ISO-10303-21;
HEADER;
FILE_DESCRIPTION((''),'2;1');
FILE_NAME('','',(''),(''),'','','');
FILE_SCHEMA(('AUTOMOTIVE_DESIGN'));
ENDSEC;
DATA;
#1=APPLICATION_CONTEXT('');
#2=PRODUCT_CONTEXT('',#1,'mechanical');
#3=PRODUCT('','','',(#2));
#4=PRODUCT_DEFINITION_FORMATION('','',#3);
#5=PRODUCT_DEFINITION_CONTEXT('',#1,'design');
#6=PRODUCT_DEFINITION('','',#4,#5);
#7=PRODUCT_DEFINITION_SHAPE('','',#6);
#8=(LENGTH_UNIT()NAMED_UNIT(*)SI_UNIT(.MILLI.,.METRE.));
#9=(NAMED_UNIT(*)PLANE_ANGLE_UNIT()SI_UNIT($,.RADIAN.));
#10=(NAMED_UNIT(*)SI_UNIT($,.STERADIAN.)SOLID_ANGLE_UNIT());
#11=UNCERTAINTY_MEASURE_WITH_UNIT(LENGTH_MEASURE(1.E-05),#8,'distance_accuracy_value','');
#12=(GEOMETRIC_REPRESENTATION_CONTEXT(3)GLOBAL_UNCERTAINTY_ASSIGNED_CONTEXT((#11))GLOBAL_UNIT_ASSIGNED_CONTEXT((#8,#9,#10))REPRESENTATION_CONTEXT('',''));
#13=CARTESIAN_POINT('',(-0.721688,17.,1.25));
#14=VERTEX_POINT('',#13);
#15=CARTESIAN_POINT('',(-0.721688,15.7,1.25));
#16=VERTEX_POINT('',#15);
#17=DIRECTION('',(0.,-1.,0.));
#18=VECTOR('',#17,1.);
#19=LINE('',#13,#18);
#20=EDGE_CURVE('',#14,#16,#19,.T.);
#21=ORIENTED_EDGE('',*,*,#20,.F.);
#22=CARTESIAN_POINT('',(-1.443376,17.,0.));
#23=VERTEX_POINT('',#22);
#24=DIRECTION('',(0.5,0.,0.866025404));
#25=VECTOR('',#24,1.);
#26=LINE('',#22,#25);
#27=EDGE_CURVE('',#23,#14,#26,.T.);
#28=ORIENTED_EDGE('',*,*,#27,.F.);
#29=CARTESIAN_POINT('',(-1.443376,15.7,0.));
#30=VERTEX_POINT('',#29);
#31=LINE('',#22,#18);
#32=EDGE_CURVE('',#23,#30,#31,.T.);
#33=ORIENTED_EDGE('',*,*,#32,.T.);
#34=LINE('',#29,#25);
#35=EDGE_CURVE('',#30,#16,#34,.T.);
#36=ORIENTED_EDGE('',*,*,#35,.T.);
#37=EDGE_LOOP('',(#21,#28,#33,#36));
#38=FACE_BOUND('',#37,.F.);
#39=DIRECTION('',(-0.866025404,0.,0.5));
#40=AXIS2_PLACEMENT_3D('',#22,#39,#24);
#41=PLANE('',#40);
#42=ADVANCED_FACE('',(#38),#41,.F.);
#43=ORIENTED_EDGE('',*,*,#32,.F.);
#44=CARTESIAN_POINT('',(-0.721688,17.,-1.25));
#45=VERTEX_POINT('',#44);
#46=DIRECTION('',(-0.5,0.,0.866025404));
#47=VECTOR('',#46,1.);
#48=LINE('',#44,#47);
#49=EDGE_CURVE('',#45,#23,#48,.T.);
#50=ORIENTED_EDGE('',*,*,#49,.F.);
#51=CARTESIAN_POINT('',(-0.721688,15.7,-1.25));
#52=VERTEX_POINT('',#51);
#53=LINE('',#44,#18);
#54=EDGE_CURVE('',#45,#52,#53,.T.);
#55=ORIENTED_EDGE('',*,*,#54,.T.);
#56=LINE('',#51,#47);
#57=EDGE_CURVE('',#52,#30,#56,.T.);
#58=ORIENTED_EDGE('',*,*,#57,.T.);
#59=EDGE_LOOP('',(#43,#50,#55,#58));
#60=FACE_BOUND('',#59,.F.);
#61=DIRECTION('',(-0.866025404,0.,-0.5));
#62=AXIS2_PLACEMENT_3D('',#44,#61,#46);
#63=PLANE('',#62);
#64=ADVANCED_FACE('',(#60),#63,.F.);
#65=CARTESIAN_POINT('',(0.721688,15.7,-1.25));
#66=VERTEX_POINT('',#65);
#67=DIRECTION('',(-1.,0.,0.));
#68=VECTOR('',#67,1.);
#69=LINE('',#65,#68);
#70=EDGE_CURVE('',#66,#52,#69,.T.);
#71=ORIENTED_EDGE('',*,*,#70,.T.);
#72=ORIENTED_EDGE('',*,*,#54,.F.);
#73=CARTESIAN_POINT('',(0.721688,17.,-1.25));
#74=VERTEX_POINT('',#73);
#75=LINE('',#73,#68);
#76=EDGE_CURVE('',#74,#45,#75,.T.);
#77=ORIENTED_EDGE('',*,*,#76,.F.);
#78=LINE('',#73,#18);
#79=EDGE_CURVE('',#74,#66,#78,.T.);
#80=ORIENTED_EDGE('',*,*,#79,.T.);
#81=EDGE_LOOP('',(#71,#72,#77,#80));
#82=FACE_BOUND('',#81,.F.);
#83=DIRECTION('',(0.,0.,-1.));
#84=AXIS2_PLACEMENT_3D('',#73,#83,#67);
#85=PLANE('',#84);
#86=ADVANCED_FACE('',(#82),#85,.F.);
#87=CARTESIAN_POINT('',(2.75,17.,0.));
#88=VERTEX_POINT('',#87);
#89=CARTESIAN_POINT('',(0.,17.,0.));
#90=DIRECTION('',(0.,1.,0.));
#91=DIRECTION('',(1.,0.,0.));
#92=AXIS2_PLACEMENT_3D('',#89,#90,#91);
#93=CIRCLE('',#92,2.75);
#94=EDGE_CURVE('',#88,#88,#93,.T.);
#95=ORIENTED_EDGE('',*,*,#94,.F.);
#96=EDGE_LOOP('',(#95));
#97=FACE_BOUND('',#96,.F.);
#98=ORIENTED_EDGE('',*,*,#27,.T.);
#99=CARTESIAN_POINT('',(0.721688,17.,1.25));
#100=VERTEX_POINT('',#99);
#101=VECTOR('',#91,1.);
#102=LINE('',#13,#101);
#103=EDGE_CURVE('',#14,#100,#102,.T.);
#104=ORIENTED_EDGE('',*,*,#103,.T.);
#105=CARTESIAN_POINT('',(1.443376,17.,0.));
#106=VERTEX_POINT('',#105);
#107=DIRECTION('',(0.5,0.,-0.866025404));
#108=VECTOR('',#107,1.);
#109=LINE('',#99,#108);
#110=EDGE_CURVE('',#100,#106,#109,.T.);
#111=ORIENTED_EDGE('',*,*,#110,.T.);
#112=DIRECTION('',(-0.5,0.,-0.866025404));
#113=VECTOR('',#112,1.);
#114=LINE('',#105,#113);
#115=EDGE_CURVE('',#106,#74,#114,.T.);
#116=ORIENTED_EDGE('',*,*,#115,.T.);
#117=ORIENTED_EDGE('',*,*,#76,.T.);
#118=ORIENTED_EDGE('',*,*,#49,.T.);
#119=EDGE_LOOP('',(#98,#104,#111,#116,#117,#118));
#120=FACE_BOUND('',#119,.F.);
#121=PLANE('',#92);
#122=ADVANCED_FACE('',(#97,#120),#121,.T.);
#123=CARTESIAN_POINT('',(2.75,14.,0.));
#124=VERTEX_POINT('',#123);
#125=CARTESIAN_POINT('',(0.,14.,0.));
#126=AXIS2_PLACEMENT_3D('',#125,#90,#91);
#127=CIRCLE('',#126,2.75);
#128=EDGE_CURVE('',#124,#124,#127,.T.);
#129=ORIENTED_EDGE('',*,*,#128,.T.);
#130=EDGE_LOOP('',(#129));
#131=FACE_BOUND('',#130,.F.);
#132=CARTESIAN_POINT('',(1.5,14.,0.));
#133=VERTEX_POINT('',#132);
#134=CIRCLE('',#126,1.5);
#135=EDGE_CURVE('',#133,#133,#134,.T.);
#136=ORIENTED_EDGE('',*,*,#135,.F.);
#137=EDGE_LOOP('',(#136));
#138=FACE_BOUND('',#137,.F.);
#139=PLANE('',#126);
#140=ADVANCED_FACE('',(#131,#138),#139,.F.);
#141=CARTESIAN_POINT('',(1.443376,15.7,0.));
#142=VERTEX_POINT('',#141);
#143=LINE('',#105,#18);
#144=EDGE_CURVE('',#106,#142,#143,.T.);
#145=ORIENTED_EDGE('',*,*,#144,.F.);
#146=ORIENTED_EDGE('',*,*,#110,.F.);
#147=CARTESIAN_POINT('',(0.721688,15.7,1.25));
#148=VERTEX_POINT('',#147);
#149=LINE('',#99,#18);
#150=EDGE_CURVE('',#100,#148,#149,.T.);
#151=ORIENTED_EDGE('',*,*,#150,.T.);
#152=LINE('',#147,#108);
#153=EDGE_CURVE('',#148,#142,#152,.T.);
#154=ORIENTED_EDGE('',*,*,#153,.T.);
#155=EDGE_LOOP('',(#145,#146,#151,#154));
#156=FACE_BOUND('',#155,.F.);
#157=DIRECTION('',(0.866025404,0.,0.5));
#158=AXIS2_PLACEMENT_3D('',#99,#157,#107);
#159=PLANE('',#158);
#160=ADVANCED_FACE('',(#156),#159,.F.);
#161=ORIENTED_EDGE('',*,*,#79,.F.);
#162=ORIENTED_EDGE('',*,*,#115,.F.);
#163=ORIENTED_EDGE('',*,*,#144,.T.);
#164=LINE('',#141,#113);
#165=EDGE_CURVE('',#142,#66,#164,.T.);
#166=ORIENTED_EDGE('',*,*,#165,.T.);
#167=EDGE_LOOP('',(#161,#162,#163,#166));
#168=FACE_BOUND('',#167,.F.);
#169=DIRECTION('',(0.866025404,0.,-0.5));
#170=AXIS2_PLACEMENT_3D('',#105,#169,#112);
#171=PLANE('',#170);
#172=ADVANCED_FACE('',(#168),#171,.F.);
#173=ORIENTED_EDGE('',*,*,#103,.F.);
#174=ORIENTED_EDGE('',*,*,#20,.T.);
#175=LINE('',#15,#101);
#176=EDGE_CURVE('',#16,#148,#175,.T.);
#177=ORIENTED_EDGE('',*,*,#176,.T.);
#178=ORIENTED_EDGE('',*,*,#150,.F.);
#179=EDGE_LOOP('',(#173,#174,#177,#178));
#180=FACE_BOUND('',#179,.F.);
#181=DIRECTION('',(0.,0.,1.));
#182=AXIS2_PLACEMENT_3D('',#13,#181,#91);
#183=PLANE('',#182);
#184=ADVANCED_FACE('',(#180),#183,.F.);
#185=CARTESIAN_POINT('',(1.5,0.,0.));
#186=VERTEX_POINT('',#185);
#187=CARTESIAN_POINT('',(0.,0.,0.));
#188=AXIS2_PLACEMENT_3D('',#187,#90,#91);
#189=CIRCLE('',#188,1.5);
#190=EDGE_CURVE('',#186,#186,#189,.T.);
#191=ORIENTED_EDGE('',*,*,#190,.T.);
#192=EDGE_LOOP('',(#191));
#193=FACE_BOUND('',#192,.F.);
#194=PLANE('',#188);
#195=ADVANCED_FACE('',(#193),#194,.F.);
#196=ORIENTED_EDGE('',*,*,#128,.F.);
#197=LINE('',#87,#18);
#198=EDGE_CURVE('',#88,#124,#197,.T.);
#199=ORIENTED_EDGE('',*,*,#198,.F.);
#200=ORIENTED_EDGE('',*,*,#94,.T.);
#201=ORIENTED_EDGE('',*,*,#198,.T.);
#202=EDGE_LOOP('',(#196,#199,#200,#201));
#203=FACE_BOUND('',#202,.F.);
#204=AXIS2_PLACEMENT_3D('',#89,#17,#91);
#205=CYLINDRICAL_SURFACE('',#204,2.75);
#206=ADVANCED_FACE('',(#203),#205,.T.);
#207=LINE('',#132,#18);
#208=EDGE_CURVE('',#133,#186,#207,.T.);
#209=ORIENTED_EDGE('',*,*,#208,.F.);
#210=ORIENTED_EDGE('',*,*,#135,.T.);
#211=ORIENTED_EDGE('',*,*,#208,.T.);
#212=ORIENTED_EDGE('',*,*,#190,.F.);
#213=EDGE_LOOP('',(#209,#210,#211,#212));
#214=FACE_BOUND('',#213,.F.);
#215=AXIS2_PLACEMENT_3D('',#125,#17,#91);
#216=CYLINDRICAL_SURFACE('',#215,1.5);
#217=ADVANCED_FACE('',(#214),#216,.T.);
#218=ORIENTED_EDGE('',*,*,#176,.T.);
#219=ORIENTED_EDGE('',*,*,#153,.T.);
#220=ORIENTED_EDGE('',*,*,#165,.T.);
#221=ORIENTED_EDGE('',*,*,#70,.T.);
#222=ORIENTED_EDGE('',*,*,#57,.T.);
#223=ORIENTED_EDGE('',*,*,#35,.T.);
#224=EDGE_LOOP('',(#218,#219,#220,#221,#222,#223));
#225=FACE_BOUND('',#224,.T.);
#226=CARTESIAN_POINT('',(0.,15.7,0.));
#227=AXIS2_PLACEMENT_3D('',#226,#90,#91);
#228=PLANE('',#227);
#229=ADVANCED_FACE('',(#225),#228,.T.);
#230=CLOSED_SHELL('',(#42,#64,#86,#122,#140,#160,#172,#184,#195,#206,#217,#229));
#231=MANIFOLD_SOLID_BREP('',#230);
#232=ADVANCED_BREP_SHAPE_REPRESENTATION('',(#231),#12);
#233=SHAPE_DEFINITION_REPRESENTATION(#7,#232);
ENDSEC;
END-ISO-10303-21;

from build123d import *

# Parameters (mm, degrees)
CUT_EXTRUDE1_DEPTH = 1.3


with BuildPart() as part:
    # Sketch1 → Revolve1 (revolve)
    with BuildSketch(Plane.XY):
        Polygon((0, 17), (2.75, 17), (2.75, 14), (1.5, 14), (1.5, 0), (0, 0), align=None)
    revolve(axis=Axis((0, 0, 0), (0, 1, 0)))

    # Sketch2 → Cut-Extrude1 (cut)
    with BuildSketch(Plane(origin=(0, 17, 0), x_dir=(1, 0, 0), z_dir=(0, 1, 0))):
        Polygon((-0.721687836, 1.25), (-1.443375673, 0), (-0.721687836, -1.25), (0.721687836, -1.25), (1.443375673, 0), (0.721687836, 1.25), align=None)
    extrude(amount=-CUT_EXTRUDE1_DEPTH, mode=Mode.SUBTRACT)


solid = part.part
